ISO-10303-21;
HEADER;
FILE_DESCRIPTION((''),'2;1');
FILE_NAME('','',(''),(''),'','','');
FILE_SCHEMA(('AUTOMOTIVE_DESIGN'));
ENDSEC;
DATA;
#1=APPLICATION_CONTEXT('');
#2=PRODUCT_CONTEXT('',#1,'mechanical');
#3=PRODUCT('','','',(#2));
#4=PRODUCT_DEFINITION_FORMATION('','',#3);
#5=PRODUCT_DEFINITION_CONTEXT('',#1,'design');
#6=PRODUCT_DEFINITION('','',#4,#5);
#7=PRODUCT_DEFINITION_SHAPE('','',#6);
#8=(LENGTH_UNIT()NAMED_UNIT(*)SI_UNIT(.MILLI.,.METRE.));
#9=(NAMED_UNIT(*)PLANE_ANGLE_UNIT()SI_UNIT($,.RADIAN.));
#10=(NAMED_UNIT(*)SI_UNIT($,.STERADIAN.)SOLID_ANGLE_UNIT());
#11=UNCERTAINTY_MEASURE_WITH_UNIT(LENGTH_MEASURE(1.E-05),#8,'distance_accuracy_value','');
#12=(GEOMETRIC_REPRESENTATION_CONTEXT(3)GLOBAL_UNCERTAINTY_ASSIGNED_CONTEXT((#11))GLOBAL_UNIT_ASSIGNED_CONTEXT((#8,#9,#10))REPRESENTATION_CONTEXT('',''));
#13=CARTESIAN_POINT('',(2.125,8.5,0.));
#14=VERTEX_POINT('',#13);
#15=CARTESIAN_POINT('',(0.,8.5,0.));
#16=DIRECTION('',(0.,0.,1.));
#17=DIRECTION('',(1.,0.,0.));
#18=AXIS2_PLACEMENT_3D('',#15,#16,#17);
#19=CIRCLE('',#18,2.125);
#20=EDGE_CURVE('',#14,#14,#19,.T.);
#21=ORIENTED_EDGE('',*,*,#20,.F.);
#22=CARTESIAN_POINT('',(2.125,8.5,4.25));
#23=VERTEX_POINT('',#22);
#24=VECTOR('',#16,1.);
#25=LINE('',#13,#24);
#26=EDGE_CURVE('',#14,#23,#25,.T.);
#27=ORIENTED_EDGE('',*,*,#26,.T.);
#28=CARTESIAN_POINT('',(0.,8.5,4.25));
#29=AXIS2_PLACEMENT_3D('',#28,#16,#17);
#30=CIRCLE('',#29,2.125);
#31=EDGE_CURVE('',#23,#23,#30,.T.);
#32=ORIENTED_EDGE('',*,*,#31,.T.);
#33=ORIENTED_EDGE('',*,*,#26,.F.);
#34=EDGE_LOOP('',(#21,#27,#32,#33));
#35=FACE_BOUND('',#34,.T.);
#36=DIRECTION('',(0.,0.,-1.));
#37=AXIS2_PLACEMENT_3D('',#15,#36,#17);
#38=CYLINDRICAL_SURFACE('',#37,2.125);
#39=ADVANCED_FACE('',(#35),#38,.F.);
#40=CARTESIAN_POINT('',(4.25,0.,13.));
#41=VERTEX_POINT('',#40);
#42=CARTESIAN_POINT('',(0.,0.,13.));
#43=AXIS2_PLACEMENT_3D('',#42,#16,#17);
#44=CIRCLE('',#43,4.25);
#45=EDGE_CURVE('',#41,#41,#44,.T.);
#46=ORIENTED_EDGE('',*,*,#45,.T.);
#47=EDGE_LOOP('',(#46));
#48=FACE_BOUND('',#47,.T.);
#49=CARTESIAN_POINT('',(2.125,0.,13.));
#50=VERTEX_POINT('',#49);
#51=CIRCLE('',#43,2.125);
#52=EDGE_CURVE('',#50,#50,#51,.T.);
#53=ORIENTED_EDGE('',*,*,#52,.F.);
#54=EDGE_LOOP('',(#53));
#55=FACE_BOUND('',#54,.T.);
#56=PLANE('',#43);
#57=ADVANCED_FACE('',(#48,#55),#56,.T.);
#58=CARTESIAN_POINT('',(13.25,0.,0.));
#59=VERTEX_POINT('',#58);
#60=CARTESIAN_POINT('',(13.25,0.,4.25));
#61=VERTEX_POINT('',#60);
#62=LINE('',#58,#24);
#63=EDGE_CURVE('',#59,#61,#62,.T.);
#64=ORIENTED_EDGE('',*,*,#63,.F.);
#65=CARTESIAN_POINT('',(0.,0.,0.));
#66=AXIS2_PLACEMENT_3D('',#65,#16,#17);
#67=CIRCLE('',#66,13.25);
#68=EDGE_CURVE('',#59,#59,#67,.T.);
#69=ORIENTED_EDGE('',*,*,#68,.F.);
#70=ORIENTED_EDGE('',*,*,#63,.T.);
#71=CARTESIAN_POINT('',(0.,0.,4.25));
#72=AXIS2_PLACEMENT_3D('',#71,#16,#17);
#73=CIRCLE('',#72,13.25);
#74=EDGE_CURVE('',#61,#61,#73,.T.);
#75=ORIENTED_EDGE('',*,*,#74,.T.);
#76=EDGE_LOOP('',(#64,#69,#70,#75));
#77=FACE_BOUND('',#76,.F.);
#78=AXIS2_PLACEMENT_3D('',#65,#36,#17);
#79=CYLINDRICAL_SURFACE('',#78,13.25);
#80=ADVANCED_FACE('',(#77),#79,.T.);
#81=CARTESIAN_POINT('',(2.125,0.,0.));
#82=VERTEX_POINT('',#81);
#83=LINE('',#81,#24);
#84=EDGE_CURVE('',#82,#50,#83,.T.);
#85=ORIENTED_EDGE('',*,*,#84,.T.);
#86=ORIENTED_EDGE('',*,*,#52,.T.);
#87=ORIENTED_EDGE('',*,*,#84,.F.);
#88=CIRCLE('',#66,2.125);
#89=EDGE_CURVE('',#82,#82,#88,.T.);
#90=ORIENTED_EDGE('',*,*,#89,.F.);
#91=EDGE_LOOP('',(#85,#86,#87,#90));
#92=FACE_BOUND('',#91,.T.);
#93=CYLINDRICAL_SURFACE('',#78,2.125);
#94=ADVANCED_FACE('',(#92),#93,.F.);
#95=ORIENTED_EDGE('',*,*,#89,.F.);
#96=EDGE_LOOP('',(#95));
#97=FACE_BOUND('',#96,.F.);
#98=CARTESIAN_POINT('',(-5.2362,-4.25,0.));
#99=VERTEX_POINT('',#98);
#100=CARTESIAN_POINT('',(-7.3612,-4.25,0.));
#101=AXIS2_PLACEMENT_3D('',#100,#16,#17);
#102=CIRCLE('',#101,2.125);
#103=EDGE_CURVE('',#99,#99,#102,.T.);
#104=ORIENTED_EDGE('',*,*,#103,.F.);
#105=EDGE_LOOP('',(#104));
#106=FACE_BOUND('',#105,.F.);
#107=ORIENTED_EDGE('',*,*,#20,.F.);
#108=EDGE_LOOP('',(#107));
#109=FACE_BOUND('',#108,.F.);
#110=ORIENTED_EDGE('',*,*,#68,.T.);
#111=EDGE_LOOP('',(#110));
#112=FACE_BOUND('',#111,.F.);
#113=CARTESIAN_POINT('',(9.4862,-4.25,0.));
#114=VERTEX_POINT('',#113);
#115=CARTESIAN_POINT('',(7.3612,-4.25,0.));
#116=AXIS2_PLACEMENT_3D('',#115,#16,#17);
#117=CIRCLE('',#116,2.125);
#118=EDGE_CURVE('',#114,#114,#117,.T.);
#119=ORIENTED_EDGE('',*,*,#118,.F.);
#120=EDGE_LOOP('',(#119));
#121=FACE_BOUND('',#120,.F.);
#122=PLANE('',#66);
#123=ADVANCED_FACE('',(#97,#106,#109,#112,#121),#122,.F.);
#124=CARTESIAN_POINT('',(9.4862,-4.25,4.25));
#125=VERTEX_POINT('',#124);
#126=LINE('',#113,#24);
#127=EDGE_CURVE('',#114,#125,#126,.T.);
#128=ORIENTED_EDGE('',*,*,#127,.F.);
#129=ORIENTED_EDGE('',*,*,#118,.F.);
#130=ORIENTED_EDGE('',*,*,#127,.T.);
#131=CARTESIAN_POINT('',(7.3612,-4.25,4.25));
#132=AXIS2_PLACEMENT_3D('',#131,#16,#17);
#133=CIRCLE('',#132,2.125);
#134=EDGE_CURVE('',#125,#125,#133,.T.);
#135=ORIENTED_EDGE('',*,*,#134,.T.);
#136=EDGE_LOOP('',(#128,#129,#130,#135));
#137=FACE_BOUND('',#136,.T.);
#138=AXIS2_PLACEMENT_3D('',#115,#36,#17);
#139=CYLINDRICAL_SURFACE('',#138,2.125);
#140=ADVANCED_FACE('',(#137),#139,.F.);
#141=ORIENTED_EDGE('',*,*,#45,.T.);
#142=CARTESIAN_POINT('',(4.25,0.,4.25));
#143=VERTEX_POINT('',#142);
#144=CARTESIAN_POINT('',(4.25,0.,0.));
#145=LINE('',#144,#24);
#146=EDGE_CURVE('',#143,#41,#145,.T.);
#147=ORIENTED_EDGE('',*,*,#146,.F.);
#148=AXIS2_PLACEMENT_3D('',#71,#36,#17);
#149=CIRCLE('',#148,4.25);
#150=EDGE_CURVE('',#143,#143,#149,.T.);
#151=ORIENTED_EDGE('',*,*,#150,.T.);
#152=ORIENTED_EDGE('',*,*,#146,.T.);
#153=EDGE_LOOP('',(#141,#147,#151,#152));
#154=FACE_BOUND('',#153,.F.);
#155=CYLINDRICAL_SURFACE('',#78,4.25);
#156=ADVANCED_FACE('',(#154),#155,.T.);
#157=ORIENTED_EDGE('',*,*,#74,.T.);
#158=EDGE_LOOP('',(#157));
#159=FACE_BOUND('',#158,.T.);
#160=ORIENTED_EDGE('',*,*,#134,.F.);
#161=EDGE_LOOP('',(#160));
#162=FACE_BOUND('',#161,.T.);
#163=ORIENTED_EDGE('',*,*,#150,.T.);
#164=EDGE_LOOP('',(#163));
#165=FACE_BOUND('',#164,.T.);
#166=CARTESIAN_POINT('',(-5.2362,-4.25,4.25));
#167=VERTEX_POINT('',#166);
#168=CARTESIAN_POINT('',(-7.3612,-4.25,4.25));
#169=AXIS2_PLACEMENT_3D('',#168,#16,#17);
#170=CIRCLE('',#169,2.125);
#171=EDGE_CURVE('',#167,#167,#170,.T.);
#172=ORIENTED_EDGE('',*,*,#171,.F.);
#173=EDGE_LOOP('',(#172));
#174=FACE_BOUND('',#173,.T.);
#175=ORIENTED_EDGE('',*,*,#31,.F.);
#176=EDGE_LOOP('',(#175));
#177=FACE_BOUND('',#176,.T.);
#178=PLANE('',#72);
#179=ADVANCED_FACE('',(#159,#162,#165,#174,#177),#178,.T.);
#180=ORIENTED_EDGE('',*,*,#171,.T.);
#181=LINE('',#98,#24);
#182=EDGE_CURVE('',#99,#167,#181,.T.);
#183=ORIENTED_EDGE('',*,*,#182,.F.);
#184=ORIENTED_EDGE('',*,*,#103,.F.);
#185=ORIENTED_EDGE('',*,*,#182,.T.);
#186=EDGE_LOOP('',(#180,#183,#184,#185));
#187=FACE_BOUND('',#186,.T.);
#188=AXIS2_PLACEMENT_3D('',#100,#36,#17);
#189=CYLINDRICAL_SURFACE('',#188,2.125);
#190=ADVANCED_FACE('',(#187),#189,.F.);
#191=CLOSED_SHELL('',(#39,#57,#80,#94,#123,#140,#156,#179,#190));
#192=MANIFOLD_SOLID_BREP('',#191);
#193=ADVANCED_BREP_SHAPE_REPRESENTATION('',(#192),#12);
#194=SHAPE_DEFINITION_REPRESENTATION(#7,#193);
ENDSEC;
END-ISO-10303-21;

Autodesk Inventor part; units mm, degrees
ref_plane "YZ Plane" through (0, 0, 0) normal (1, 0, 0) x (0, 1, 0)
ref_plane "XZ Plane" through (0, 0, 0) normal (0, 1, 0) x (-1, 0, 0)
ref_plane "XY Plane" through (0, 0, 0) normal (0, 0, 1) x (1, 0, 0)
sketch "Sketch1" plane through (0, 0, 0) normal (0, 0, 1) x (1, 0, 0)
  circle A0 centre (0, 0) radius 13.25
  circle A1 centre (0, 8.5) radius 2.125
  circle A2 centre (0, 0) radius 2.125
  circle A3 centre (0, 0) radius 4.25
  circle A4 centre (-7.3612, -4.25) radius 2.125
  circle A5 centre (7.3612, -4.25) radius 2.125
  dimension "d0" = 26.5
  dimension "d1" = 4.25
  dimension "d2" = 8.5
  dimension "d3" = 0
  dimension "d4" = 4.25
  dimension "d5" = 8.5
  dimension "d8" = 360
extrude "Extrusion1" add sketch "Sketch1" along normal blind 4.25 contours A0 | A3
extrude "Extrusion2" add sketch "Sketch1" along normal blind 13 contours A3
equation "\"d4\" = d1"
equation "\"d5\" = 2 * d1"
equation "\"d10\" = d1"
